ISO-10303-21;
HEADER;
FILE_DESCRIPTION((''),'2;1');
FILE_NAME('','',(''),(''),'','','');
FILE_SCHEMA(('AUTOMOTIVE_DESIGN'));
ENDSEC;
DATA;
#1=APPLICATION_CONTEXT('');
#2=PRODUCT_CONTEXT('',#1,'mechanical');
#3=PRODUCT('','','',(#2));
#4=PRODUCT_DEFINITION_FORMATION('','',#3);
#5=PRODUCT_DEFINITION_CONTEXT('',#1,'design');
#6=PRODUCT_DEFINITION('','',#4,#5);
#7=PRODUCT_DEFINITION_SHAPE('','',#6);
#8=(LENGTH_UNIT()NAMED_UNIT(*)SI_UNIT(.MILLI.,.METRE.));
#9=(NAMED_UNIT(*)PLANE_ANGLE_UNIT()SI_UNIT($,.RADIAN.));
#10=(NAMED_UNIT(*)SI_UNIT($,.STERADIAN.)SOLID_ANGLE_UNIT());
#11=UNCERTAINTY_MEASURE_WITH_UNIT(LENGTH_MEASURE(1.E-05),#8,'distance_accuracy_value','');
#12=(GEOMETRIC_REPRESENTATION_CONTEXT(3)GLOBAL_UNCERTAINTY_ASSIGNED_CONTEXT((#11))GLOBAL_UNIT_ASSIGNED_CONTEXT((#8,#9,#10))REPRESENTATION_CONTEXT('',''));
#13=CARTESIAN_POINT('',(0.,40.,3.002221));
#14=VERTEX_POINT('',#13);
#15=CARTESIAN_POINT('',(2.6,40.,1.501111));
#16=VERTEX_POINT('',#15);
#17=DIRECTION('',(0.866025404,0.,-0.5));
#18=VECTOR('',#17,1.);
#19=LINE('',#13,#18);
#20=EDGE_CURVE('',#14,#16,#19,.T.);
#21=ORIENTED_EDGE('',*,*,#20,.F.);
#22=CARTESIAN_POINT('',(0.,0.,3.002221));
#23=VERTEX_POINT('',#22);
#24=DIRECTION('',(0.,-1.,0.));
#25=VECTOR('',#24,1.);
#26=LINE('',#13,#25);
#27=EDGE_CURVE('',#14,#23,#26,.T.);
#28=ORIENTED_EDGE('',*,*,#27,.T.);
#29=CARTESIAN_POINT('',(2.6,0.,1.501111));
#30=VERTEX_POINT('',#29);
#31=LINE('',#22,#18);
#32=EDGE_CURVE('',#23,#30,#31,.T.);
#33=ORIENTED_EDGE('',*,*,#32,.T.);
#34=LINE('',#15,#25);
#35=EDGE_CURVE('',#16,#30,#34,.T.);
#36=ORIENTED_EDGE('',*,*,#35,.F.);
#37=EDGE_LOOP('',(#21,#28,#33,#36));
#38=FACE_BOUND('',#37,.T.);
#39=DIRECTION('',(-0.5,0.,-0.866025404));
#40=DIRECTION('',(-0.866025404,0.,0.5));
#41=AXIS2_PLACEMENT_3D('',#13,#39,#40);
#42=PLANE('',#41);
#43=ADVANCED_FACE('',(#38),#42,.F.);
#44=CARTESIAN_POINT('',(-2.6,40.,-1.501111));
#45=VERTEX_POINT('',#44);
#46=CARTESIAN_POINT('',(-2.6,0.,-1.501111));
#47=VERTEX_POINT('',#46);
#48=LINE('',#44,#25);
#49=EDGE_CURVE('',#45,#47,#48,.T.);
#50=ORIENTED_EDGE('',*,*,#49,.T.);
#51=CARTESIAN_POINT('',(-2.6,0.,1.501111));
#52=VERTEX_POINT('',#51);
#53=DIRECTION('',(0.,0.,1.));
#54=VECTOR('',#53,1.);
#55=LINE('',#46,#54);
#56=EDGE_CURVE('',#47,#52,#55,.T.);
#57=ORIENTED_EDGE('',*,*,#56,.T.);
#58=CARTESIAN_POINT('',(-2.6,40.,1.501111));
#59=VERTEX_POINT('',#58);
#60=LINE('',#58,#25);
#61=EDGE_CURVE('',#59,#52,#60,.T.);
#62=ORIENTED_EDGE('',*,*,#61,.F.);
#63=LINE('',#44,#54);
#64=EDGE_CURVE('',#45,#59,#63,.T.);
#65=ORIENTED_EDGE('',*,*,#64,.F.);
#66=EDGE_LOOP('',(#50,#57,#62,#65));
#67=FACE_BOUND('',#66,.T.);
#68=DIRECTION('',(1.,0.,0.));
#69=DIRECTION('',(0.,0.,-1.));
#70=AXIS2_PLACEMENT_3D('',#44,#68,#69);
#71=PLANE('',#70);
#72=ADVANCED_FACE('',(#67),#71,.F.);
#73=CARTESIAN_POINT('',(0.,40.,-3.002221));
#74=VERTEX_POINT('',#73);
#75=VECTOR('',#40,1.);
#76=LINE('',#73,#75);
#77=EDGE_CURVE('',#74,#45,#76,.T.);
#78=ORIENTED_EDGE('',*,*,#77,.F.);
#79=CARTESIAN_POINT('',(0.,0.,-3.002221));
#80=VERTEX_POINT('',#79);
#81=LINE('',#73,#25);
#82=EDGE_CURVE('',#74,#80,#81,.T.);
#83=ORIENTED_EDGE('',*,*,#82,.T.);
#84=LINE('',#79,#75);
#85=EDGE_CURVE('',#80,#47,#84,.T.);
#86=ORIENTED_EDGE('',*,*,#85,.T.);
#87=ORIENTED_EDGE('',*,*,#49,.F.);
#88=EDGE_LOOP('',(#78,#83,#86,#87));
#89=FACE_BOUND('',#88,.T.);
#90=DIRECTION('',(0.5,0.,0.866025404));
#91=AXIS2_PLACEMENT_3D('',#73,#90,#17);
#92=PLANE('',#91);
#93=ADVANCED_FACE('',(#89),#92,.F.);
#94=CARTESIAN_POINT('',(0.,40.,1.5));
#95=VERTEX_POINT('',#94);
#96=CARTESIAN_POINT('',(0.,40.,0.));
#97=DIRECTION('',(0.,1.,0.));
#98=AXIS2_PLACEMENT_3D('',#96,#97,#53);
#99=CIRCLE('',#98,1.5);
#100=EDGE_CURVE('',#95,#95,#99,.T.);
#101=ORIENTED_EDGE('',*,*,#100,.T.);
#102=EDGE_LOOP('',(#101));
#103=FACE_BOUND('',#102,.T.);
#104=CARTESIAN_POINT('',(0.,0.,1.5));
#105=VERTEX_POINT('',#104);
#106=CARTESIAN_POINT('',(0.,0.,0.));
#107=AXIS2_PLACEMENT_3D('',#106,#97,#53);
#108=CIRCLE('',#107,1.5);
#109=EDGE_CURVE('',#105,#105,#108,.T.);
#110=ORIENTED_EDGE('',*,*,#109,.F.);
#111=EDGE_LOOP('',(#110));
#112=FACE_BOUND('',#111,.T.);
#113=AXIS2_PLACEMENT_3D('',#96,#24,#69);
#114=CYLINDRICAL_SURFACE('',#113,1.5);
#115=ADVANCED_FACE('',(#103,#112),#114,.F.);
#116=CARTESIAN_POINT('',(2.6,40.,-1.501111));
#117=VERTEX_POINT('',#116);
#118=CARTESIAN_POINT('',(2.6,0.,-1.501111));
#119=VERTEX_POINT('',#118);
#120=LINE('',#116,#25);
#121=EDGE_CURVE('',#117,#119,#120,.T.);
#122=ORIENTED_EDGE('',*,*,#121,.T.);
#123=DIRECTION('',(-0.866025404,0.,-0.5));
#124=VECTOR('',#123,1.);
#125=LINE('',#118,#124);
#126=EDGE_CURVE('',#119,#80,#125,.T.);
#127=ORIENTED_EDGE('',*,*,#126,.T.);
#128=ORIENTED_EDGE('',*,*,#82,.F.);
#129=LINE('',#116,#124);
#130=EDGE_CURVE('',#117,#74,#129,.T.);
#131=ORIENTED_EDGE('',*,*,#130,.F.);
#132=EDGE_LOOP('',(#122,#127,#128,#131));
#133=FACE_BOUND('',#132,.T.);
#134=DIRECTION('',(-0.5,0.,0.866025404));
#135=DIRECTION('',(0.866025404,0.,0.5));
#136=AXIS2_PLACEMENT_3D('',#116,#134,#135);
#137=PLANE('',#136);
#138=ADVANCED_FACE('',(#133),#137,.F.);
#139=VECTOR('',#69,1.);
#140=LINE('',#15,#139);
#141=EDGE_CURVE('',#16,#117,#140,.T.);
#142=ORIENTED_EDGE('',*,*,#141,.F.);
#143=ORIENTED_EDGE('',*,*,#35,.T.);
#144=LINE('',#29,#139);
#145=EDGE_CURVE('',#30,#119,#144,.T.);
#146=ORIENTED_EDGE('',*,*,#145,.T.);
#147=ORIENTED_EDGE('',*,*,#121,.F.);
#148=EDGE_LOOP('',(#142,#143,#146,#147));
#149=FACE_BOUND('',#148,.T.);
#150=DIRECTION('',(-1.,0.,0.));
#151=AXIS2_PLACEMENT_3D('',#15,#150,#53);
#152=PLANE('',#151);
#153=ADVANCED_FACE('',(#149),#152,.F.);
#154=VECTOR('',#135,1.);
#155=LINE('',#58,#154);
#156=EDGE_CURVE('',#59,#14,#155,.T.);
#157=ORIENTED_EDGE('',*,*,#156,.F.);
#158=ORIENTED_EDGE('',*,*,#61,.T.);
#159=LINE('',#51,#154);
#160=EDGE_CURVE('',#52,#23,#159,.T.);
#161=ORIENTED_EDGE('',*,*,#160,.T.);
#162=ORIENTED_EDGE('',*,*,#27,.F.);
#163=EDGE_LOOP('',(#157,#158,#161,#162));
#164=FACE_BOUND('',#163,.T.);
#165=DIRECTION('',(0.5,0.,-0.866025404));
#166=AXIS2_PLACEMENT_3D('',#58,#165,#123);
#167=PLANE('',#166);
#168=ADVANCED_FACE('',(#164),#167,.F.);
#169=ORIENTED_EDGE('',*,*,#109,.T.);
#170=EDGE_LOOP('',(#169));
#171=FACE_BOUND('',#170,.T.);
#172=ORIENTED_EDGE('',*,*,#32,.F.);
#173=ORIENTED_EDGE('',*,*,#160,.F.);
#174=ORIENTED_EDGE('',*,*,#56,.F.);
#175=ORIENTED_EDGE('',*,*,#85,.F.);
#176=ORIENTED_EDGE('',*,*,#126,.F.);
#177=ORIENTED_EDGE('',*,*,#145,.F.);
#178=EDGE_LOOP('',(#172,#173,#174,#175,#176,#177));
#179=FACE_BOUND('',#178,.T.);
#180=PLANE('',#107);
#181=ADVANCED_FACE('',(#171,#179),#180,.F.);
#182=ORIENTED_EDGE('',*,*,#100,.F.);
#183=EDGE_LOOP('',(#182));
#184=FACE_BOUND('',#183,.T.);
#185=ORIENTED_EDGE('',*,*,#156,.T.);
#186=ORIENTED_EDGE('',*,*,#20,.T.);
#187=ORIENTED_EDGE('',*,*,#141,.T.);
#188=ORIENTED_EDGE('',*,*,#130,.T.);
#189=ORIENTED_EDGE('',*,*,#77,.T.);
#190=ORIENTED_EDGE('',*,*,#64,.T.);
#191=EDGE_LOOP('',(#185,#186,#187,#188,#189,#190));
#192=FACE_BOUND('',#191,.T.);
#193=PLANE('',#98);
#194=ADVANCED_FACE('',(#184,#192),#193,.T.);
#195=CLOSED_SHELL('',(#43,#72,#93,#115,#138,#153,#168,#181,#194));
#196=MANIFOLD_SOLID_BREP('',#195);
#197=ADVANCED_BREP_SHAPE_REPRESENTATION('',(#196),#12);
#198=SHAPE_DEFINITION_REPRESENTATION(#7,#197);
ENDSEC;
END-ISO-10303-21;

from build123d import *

# Parameters (mm, degrees)
SKETCH1_R           = 1.5
BOSS_EXTRUDE2_DEPTH = 40


with BuildPart() as part:
    # Sketch1 → Boss-Extrude2 (new body)
    with BuildSketch(Plane(origin=(0, 0, 0), x_dir=(1, 0, 0), z_dir=(0, 1, 0))):
        Polygon((0, 3.0022214), (-2.6, 1.5011107), (-2.6, -1.5011107), (0, -3.0022214), (2.6, -1.5011107), (2.6, 1.5011107), align=None)
        Circle(SKETCH1_R, mode=Mode.SUBTRACT)
    extrude(amount=BOSS_EXTRUDE2_DEPTH)


solid = part.part
